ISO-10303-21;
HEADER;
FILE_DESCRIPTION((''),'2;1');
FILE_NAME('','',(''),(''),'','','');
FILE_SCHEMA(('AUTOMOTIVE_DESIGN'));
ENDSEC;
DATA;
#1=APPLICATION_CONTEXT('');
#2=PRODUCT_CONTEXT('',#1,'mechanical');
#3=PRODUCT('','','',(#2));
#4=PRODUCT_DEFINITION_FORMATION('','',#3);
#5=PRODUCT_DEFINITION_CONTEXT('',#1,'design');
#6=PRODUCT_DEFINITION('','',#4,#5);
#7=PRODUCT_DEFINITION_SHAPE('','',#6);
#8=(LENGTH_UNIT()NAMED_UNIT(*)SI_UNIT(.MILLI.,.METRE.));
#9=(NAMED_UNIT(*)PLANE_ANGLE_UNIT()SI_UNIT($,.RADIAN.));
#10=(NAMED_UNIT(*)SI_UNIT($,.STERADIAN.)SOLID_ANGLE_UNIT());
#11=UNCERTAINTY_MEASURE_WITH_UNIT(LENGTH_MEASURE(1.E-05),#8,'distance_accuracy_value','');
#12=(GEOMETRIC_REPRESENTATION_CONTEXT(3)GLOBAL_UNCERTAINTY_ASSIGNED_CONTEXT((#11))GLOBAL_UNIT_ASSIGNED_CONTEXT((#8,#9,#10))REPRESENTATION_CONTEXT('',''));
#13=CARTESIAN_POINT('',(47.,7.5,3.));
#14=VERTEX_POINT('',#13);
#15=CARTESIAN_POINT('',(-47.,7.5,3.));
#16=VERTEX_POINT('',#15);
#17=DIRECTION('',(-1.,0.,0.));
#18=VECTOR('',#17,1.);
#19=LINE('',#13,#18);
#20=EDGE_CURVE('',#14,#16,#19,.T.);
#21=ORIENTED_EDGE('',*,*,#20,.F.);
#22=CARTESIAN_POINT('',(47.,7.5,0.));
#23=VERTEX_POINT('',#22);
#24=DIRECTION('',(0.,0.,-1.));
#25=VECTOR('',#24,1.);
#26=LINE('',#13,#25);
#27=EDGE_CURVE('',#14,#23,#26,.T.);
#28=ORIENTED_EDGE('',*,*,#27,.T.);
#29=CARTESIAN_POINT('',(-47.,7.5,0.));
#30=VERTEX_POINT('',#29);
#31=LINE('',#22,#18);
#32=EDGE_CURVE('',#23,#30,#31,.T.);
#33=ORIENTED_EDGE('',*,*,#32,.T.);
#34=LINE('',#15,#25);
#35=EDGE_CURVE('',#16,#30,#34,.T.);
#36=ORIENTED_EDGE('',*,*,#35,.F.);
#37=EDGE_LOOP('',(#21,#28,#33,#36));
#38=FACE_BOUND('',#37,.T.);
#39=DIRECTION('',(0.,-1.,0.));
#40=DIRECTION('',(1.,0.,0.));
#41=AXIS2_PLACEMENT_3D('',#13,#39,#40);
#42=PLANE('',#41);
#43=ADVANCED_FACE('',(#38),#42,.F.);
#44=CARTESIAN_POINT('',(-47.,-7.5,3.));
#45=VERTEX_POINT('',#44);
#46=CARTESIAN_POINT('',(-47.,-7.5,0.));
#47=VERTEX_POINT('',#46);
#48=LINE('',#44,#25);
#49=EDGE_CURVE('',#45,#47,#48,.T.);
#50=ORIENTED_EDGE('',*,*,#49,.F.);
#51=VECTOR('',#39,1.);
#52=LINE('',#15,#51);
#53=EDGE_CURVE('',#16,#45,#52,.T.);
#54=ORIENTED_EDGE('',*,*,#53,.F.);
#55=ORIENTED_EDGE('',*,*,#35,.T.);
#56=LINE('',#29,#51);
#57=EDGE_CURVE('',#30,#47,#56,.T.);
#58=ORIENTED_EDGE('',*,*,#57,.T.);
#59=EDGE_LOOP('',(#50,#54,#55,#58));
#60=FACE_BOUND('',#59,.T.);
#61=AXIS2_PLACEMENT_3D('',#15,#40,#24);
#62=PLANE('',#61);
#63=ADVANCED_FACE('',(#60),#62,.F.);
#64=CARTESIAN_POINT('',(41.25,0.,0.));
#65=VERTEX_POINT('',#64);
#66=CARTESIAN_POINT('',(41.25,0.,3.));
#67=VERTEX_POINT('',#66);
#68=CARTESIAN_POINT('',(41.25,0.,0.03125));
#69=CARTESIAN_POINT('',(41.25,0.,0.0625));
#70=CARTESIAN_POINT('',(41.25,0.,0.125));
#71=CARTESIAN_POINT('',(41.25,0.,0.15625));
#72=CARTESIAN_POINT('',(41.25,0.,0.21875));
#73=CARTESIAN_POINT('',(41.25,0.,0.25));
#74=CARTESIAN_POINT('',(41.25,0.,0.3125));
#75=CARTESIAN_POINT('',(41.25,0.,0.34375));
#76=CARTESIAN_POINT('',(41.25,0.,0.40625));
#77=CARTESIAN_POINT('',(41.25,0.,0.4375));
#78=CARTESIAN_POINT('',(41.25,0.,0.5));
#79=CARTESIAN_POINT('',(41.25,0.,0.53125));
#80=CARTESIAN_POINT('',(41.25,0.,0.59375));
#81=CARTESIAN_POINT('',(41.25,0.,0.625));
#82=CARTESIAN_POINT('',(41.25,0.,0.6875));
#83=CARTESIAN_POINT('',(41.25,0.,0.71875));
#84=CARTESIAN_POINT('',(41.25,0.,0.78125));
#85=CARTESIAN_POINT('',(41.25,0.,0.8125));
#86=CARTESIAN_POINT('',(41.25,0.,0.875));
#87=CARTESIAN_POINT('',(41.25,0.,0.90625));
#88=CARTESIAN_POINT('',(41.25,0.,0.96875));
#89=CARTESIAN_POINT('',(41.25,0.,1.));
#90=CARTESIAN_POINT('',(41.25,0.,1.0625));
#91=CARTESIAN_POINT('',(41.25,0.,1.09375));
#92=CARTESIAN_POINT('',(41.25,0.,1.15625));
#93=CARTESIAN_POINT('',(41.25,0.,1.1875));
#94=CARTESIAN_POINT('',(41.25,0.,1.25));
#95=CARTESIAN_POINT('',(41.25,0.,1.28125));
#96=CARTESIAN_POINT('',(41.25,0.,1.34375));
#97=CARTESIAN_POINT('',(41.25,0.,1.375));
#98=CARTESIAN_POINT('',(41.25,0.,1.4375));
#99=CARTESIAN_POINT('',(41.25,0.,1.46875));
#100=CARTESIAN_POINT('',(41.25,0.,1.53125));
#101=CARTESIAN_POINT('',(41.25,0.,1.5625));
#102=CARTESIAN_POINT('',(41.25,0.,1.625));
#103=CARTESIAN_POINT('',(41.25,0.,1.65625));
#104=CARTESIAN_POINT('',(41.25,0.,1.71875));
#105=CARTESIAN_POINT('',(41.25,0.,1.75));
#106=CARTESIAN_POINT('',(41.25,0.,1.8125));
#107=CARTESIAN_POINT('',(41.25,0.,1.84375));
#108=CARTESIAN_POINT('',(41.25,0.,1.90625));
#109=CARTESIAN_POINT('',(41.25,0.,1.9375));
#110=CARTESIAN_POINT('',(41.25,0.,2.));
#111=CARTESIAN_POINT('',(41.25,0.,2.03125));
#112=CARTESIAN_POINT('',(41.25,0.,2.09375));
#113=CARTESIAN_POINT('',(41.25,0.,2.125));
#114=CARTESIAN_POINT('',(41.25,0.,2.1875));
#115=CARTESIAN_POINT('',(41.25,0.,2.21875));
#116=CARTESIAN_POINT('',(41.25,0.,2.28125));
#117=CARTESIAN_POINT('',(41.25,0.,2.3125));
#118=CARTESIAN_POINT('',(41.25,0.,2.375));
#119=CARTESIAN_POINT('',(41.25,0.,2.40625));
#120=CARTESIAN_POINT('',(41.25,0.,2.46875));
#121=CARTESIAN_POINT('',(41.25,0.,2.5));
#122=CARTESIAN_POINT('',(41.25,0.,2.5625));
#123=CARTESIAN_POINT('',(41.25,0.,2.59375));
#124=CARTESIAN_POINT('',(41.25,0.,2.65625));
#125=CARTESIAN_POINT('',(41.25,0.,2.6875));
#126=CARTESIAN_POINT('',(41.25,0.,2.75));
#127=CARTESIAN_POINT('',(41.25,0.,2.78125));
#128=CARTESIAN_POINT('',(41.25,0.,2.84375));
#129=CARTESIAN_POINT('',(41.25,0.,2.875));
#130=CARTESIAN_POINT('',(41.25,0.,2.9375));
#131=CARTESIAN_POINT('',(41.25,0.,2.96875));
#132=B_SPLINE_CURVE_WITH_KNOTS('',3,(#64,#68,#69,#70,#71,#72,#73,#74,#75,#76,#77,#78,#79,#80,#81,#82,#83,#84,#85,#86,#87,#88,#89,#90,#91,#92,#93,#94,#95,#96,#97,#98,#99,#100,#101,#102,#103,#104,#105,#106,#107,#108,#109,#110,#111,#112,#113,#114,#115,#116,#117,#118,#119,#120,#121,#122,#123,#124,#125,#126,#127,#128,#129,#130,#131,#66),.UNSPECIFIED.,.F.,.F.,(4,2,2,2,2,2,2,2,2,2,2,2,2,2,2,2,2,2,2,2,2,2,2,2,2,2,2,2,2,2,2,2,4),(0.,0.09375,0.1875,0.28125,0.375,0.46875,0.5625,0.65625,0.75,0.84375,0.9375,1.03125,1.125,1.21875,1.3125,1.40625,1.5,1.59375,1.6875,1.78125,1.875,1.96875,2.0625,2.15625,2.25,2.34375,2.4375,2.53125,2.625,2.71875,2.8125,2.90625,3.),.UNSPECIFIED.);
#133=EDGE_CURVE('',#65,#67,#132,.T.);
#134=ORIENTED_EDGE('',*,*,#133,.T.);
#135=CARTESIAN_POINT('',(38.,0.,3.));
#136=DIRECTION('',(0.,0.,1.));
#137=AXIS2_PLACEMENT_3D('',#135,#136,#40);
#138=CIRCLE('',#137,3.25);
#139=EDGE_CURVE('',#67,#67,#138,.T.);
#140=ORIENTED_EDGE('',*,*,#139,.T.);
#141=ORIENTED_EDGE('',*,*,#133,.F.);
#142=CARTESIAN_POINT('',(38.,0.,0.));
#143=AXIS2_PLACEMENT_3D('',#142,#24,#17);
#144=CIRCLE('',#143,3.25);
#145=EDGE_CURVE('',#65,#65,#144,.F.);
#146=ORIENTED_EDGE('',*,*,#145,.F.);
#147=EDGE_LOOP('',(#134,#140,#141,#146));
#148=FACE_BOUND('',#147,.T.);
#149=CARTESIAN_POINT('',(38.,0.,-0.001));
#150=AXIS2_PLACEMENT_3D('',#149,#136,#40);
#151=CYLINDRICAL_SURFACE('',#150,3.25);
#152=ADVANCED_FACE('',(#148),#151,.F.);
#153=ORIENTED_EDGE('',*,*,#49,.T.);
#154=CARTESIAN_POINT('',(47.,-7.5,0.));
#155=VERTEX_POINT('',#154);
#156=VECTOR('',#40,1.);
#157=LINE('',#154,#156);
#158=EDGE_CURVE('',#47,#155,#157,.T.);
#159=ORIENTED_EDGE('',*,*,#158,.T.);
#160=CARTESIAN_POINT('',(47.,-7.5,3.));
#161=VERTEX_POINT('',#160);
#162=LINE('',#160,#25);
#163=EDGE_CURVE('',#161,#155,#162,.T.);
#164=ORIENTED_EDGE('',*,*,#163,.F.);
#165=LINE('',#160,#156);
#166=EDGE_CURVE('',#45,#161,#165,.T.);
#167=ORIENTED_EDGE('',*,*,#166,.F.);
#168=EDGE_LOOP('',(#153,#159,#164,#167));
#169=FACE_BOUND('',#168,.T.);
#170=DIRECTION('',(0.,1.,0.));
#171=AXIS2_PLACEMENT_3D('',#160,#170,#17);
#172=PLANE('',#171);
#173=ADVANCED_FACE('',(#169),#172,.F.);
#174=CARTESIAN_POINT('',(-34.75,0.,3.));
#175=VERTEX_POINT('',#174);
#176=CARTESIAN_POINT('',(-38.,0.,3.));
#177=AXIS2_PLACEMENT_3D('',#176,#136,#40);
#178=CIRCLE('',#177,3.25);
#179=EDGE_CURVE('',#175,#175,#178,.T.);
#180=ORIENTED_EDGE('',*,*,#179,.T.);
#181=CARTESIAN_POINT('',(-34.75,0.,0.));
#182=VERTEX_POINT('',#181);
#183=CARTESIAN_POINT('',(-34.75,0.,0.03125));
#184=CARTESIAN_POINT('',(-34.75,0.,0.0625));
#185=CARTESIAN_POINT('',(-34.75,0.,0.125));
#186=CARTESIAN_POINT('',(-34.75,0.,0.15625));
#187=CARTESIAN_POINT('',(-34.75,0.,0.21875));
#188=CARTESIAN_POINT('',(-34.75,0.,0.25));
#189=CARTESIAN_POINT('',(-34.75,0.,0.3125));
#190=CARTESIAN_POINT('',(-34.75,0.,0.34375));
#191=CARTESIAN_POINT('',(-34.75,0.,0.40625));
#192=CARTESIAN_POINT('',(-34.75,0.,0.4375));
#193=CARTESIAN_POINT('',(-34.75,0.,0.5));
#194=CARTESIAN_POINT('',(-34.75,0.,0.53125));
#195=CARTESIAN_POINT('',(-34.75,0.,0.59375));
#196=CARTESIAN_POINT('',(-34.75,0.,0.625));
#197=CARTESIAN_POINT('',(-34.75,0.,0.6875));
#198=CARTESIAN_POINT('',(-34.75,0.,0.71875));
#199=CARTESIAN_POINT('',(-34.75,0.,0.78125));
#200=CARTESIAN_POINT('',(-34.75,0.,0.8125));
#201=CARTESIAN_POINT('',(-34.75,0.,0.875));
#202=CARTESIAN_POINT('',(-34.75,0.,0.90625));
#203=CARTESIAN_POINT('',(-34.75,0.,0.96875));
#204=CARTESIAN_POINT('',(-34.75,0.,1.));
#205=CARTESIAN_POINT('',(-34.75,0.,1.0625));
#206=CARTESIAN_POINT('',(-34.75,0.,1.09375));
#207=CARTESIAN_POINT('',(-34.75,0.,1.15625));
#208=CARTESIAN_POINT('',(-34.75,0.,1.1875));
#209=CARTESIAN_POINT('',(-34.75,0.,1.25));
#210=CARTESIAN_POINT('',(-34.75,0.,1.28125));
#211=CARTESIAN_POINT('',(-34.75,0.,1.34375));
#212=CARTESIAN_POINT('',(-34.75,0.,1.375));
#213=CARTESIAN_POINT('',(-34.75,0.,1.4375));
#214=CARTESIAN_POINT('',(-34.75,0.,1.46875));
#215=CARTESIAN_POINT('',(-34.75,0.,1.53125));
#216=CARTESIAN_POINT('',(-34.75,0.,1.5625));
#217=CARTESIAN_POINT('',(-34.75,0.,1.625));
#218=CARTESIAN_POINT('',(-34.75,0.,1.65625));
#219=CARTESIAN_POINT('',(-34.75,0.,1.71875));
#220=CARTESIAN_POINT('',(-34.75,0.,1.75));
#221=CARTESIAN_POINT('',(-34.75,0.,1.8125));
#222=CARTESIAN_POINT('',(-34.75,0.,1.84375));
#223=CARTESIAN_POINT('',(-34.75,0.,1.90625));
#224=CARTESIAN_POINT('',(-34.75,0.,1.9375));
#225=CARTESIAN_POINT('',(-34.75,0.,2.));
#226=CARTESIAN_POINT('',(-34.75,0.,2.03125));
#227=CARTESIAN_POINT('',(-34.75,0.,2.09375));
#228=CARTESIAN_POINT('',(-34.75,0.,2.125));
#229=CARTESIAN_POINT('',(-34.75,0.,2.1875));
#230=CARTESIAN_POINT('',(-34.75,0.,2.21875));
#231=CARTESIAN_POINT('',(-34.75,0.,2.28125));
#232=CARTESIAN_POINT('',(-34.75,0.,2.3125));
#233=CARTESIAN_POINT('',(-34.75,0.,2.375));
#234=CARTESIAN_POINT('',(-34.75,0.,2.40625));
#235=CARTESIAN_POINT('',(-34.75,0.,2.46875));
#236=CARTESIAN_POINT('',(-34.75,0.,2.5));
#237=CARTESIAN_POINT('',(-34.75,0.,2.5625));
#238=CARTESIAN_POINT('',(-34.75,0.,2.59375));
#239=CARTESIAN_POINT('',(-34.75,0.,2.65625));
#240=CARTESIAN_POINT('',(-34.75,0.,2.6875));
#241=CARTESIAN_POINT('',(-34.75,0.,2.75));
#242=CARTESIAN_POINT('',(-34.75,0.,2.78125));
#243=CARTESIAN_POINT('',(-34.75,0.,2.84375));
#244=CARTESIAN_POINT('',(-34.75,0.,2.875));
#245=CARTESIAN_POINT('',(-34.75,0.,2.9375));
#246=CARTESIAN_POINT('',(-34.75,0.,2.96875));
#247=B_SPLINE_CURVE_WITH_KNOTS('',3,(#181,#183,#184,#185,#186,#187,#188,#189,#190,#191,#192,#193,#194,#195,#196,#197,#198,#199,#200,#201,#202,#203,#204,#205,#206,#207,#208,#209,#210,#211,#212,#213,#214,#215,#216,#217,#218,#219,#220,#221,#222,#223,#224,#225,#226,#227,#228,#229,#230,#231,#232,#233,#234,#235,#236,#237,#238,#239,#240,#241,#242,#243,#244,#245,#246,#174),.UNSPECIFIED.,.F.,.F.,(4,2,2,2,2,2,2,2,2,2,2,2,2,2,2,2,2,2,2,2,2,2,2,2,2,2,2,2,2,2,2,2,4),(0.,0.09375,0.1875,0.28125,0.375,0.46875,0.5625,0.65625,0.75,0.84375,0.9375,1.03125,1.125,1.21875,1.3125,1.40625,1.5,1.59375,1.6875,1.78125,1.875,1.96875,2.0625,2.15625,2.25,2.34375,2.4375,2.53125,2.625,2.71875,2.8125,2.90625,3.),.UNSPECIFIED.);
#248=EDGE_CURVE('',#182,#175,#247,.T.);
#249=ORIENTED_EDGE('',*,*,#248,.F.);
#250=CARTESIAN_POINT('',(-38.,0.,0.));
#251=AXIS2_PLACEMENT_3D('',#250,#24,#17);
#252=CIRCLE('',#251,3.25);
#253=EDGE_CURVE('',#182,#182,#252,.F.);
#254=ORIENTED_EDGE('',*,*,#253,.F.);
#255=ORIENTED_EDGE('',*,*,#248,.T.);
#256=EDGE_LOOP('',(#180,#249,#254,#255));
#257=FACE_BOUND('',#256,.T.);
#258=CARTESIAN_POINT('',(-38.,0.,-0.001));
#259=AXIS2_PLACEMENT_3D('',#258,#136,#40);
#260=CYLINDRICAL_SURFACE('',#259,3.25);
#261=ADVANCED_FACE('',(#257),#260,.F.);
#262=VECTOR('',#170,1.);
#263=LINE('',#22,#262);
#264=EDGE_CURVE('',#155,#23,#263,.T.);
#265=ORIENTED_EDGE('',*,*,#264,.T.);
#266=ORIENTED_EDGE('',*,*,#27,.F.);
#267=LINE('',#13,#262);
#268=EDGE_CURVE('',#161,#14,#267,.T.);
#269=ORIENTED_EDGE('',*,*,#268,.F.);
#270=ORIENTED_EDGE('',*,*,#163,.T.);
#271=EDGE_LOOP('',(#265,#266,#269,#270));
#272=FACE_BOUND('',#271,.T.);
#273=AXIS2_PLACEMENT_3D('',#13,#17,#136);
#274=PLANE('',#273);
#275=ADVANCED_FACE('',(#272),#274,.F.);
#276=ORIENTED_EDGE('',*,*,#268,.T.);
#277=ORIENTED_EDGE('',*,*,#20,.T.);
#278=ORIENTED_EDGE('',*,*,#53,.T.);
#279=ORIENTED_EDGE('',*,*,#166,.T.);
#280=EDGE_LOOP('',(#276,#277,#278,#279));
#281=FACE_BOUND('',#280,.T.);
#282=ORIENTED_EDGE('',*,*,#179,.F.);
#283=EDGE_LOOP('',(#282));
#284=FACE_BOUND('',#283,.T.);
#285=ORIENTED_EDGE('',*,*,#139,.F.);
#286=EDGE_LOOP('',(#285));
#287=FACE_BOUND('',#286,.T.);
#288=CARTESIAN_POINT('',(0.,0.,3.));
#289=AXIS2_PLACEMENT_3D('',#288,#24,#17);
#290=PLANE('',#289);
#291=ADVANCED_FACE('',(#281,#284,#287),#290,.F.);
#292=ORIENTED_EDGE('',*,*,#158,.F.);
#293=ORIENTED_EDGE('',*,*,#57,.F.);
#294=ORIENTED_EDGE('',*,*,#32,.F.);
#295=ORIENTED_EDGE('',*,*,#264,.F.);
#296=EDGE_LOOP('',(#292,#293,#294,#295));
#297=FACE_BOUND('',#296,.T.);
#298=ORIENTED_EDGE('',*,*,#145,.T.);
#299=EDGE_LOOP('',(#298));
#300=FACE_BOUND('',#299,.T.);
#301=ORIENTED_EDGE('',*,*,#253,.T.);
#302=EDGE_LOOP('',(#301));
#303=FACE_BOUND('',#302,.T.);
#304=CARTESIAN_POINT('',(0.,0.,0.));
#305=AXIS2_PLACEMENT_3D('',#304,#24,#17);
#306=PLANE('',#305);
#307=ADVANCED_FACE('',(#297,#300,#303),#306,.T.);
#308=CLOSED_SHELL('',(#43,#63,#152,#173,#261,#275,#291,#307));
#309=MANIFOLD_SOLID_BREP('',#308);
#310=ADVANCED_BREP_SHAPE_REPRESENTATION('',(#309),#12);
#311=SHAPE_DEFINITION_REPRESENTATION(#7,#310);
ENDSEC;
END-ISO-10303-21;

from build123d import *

# Parameters (mm, degrees)
CROQUIS1_W              = 94
CROQUIS1_H              = 15
SALIENTE_EXTRUIR1_DEPTH = 3
CORTAR_EXTRUIR1_REACH   = 49.689
CROQUIS2_R              = 3.25


with BuildPart() as part:
    # Croquis1 → Saliente-Extruir1 (new body)
    with BuildSketch(Plane.XY):
        Rectangle(CROQUIS1_W, CROQUIS1_H)
    extrude(amount=SALIENTE_EXTRUIR1_DEPTH)

    # Croquis2 → Cortar-Extruir1 (cut, up to next)
    with BuildSketch(Plane.XY.offset(3), mode=Mode.PRIVATE) as cortar_extruir1_sk1:
        with Locations((-38, 0)):
            Circle(CROQUIS2_R)
    cortar_extruir1_tool1 = extrude(cortar_extruir1_sk1.sketch, amount=-CORTAR_EXTRUIR1_REACH, mode=Mode.PRIVATE) & part.part
    # Croquis2 → Cortar-Extruir1 (cut, up to next)
    with BuildSketch(Plane.XY.offset(3), mode=Mode.PRIVATE) as cortar_extruir1_sk2:
        with Locations((38, 0)):
            Circle(CROQUIS2_R)
    cortar_extruir1_tool2 = extrude(cortar_extruir1_sk2.sketch, amount=-CORTAR_EXTRUIR1_REACH, mode=Mode.PRIVATE) & part.part
    add(cortar_extruir1_tool1.solids().sort_by_distance((-38, 0, 3))[0], mode=Mode.SUBTRACT)
    add(cortar_extruir1_tool2.solids().sort_by_distance((38, 0, 3))[0], mode=Mode.SUBTRACT)


solid = part.part
